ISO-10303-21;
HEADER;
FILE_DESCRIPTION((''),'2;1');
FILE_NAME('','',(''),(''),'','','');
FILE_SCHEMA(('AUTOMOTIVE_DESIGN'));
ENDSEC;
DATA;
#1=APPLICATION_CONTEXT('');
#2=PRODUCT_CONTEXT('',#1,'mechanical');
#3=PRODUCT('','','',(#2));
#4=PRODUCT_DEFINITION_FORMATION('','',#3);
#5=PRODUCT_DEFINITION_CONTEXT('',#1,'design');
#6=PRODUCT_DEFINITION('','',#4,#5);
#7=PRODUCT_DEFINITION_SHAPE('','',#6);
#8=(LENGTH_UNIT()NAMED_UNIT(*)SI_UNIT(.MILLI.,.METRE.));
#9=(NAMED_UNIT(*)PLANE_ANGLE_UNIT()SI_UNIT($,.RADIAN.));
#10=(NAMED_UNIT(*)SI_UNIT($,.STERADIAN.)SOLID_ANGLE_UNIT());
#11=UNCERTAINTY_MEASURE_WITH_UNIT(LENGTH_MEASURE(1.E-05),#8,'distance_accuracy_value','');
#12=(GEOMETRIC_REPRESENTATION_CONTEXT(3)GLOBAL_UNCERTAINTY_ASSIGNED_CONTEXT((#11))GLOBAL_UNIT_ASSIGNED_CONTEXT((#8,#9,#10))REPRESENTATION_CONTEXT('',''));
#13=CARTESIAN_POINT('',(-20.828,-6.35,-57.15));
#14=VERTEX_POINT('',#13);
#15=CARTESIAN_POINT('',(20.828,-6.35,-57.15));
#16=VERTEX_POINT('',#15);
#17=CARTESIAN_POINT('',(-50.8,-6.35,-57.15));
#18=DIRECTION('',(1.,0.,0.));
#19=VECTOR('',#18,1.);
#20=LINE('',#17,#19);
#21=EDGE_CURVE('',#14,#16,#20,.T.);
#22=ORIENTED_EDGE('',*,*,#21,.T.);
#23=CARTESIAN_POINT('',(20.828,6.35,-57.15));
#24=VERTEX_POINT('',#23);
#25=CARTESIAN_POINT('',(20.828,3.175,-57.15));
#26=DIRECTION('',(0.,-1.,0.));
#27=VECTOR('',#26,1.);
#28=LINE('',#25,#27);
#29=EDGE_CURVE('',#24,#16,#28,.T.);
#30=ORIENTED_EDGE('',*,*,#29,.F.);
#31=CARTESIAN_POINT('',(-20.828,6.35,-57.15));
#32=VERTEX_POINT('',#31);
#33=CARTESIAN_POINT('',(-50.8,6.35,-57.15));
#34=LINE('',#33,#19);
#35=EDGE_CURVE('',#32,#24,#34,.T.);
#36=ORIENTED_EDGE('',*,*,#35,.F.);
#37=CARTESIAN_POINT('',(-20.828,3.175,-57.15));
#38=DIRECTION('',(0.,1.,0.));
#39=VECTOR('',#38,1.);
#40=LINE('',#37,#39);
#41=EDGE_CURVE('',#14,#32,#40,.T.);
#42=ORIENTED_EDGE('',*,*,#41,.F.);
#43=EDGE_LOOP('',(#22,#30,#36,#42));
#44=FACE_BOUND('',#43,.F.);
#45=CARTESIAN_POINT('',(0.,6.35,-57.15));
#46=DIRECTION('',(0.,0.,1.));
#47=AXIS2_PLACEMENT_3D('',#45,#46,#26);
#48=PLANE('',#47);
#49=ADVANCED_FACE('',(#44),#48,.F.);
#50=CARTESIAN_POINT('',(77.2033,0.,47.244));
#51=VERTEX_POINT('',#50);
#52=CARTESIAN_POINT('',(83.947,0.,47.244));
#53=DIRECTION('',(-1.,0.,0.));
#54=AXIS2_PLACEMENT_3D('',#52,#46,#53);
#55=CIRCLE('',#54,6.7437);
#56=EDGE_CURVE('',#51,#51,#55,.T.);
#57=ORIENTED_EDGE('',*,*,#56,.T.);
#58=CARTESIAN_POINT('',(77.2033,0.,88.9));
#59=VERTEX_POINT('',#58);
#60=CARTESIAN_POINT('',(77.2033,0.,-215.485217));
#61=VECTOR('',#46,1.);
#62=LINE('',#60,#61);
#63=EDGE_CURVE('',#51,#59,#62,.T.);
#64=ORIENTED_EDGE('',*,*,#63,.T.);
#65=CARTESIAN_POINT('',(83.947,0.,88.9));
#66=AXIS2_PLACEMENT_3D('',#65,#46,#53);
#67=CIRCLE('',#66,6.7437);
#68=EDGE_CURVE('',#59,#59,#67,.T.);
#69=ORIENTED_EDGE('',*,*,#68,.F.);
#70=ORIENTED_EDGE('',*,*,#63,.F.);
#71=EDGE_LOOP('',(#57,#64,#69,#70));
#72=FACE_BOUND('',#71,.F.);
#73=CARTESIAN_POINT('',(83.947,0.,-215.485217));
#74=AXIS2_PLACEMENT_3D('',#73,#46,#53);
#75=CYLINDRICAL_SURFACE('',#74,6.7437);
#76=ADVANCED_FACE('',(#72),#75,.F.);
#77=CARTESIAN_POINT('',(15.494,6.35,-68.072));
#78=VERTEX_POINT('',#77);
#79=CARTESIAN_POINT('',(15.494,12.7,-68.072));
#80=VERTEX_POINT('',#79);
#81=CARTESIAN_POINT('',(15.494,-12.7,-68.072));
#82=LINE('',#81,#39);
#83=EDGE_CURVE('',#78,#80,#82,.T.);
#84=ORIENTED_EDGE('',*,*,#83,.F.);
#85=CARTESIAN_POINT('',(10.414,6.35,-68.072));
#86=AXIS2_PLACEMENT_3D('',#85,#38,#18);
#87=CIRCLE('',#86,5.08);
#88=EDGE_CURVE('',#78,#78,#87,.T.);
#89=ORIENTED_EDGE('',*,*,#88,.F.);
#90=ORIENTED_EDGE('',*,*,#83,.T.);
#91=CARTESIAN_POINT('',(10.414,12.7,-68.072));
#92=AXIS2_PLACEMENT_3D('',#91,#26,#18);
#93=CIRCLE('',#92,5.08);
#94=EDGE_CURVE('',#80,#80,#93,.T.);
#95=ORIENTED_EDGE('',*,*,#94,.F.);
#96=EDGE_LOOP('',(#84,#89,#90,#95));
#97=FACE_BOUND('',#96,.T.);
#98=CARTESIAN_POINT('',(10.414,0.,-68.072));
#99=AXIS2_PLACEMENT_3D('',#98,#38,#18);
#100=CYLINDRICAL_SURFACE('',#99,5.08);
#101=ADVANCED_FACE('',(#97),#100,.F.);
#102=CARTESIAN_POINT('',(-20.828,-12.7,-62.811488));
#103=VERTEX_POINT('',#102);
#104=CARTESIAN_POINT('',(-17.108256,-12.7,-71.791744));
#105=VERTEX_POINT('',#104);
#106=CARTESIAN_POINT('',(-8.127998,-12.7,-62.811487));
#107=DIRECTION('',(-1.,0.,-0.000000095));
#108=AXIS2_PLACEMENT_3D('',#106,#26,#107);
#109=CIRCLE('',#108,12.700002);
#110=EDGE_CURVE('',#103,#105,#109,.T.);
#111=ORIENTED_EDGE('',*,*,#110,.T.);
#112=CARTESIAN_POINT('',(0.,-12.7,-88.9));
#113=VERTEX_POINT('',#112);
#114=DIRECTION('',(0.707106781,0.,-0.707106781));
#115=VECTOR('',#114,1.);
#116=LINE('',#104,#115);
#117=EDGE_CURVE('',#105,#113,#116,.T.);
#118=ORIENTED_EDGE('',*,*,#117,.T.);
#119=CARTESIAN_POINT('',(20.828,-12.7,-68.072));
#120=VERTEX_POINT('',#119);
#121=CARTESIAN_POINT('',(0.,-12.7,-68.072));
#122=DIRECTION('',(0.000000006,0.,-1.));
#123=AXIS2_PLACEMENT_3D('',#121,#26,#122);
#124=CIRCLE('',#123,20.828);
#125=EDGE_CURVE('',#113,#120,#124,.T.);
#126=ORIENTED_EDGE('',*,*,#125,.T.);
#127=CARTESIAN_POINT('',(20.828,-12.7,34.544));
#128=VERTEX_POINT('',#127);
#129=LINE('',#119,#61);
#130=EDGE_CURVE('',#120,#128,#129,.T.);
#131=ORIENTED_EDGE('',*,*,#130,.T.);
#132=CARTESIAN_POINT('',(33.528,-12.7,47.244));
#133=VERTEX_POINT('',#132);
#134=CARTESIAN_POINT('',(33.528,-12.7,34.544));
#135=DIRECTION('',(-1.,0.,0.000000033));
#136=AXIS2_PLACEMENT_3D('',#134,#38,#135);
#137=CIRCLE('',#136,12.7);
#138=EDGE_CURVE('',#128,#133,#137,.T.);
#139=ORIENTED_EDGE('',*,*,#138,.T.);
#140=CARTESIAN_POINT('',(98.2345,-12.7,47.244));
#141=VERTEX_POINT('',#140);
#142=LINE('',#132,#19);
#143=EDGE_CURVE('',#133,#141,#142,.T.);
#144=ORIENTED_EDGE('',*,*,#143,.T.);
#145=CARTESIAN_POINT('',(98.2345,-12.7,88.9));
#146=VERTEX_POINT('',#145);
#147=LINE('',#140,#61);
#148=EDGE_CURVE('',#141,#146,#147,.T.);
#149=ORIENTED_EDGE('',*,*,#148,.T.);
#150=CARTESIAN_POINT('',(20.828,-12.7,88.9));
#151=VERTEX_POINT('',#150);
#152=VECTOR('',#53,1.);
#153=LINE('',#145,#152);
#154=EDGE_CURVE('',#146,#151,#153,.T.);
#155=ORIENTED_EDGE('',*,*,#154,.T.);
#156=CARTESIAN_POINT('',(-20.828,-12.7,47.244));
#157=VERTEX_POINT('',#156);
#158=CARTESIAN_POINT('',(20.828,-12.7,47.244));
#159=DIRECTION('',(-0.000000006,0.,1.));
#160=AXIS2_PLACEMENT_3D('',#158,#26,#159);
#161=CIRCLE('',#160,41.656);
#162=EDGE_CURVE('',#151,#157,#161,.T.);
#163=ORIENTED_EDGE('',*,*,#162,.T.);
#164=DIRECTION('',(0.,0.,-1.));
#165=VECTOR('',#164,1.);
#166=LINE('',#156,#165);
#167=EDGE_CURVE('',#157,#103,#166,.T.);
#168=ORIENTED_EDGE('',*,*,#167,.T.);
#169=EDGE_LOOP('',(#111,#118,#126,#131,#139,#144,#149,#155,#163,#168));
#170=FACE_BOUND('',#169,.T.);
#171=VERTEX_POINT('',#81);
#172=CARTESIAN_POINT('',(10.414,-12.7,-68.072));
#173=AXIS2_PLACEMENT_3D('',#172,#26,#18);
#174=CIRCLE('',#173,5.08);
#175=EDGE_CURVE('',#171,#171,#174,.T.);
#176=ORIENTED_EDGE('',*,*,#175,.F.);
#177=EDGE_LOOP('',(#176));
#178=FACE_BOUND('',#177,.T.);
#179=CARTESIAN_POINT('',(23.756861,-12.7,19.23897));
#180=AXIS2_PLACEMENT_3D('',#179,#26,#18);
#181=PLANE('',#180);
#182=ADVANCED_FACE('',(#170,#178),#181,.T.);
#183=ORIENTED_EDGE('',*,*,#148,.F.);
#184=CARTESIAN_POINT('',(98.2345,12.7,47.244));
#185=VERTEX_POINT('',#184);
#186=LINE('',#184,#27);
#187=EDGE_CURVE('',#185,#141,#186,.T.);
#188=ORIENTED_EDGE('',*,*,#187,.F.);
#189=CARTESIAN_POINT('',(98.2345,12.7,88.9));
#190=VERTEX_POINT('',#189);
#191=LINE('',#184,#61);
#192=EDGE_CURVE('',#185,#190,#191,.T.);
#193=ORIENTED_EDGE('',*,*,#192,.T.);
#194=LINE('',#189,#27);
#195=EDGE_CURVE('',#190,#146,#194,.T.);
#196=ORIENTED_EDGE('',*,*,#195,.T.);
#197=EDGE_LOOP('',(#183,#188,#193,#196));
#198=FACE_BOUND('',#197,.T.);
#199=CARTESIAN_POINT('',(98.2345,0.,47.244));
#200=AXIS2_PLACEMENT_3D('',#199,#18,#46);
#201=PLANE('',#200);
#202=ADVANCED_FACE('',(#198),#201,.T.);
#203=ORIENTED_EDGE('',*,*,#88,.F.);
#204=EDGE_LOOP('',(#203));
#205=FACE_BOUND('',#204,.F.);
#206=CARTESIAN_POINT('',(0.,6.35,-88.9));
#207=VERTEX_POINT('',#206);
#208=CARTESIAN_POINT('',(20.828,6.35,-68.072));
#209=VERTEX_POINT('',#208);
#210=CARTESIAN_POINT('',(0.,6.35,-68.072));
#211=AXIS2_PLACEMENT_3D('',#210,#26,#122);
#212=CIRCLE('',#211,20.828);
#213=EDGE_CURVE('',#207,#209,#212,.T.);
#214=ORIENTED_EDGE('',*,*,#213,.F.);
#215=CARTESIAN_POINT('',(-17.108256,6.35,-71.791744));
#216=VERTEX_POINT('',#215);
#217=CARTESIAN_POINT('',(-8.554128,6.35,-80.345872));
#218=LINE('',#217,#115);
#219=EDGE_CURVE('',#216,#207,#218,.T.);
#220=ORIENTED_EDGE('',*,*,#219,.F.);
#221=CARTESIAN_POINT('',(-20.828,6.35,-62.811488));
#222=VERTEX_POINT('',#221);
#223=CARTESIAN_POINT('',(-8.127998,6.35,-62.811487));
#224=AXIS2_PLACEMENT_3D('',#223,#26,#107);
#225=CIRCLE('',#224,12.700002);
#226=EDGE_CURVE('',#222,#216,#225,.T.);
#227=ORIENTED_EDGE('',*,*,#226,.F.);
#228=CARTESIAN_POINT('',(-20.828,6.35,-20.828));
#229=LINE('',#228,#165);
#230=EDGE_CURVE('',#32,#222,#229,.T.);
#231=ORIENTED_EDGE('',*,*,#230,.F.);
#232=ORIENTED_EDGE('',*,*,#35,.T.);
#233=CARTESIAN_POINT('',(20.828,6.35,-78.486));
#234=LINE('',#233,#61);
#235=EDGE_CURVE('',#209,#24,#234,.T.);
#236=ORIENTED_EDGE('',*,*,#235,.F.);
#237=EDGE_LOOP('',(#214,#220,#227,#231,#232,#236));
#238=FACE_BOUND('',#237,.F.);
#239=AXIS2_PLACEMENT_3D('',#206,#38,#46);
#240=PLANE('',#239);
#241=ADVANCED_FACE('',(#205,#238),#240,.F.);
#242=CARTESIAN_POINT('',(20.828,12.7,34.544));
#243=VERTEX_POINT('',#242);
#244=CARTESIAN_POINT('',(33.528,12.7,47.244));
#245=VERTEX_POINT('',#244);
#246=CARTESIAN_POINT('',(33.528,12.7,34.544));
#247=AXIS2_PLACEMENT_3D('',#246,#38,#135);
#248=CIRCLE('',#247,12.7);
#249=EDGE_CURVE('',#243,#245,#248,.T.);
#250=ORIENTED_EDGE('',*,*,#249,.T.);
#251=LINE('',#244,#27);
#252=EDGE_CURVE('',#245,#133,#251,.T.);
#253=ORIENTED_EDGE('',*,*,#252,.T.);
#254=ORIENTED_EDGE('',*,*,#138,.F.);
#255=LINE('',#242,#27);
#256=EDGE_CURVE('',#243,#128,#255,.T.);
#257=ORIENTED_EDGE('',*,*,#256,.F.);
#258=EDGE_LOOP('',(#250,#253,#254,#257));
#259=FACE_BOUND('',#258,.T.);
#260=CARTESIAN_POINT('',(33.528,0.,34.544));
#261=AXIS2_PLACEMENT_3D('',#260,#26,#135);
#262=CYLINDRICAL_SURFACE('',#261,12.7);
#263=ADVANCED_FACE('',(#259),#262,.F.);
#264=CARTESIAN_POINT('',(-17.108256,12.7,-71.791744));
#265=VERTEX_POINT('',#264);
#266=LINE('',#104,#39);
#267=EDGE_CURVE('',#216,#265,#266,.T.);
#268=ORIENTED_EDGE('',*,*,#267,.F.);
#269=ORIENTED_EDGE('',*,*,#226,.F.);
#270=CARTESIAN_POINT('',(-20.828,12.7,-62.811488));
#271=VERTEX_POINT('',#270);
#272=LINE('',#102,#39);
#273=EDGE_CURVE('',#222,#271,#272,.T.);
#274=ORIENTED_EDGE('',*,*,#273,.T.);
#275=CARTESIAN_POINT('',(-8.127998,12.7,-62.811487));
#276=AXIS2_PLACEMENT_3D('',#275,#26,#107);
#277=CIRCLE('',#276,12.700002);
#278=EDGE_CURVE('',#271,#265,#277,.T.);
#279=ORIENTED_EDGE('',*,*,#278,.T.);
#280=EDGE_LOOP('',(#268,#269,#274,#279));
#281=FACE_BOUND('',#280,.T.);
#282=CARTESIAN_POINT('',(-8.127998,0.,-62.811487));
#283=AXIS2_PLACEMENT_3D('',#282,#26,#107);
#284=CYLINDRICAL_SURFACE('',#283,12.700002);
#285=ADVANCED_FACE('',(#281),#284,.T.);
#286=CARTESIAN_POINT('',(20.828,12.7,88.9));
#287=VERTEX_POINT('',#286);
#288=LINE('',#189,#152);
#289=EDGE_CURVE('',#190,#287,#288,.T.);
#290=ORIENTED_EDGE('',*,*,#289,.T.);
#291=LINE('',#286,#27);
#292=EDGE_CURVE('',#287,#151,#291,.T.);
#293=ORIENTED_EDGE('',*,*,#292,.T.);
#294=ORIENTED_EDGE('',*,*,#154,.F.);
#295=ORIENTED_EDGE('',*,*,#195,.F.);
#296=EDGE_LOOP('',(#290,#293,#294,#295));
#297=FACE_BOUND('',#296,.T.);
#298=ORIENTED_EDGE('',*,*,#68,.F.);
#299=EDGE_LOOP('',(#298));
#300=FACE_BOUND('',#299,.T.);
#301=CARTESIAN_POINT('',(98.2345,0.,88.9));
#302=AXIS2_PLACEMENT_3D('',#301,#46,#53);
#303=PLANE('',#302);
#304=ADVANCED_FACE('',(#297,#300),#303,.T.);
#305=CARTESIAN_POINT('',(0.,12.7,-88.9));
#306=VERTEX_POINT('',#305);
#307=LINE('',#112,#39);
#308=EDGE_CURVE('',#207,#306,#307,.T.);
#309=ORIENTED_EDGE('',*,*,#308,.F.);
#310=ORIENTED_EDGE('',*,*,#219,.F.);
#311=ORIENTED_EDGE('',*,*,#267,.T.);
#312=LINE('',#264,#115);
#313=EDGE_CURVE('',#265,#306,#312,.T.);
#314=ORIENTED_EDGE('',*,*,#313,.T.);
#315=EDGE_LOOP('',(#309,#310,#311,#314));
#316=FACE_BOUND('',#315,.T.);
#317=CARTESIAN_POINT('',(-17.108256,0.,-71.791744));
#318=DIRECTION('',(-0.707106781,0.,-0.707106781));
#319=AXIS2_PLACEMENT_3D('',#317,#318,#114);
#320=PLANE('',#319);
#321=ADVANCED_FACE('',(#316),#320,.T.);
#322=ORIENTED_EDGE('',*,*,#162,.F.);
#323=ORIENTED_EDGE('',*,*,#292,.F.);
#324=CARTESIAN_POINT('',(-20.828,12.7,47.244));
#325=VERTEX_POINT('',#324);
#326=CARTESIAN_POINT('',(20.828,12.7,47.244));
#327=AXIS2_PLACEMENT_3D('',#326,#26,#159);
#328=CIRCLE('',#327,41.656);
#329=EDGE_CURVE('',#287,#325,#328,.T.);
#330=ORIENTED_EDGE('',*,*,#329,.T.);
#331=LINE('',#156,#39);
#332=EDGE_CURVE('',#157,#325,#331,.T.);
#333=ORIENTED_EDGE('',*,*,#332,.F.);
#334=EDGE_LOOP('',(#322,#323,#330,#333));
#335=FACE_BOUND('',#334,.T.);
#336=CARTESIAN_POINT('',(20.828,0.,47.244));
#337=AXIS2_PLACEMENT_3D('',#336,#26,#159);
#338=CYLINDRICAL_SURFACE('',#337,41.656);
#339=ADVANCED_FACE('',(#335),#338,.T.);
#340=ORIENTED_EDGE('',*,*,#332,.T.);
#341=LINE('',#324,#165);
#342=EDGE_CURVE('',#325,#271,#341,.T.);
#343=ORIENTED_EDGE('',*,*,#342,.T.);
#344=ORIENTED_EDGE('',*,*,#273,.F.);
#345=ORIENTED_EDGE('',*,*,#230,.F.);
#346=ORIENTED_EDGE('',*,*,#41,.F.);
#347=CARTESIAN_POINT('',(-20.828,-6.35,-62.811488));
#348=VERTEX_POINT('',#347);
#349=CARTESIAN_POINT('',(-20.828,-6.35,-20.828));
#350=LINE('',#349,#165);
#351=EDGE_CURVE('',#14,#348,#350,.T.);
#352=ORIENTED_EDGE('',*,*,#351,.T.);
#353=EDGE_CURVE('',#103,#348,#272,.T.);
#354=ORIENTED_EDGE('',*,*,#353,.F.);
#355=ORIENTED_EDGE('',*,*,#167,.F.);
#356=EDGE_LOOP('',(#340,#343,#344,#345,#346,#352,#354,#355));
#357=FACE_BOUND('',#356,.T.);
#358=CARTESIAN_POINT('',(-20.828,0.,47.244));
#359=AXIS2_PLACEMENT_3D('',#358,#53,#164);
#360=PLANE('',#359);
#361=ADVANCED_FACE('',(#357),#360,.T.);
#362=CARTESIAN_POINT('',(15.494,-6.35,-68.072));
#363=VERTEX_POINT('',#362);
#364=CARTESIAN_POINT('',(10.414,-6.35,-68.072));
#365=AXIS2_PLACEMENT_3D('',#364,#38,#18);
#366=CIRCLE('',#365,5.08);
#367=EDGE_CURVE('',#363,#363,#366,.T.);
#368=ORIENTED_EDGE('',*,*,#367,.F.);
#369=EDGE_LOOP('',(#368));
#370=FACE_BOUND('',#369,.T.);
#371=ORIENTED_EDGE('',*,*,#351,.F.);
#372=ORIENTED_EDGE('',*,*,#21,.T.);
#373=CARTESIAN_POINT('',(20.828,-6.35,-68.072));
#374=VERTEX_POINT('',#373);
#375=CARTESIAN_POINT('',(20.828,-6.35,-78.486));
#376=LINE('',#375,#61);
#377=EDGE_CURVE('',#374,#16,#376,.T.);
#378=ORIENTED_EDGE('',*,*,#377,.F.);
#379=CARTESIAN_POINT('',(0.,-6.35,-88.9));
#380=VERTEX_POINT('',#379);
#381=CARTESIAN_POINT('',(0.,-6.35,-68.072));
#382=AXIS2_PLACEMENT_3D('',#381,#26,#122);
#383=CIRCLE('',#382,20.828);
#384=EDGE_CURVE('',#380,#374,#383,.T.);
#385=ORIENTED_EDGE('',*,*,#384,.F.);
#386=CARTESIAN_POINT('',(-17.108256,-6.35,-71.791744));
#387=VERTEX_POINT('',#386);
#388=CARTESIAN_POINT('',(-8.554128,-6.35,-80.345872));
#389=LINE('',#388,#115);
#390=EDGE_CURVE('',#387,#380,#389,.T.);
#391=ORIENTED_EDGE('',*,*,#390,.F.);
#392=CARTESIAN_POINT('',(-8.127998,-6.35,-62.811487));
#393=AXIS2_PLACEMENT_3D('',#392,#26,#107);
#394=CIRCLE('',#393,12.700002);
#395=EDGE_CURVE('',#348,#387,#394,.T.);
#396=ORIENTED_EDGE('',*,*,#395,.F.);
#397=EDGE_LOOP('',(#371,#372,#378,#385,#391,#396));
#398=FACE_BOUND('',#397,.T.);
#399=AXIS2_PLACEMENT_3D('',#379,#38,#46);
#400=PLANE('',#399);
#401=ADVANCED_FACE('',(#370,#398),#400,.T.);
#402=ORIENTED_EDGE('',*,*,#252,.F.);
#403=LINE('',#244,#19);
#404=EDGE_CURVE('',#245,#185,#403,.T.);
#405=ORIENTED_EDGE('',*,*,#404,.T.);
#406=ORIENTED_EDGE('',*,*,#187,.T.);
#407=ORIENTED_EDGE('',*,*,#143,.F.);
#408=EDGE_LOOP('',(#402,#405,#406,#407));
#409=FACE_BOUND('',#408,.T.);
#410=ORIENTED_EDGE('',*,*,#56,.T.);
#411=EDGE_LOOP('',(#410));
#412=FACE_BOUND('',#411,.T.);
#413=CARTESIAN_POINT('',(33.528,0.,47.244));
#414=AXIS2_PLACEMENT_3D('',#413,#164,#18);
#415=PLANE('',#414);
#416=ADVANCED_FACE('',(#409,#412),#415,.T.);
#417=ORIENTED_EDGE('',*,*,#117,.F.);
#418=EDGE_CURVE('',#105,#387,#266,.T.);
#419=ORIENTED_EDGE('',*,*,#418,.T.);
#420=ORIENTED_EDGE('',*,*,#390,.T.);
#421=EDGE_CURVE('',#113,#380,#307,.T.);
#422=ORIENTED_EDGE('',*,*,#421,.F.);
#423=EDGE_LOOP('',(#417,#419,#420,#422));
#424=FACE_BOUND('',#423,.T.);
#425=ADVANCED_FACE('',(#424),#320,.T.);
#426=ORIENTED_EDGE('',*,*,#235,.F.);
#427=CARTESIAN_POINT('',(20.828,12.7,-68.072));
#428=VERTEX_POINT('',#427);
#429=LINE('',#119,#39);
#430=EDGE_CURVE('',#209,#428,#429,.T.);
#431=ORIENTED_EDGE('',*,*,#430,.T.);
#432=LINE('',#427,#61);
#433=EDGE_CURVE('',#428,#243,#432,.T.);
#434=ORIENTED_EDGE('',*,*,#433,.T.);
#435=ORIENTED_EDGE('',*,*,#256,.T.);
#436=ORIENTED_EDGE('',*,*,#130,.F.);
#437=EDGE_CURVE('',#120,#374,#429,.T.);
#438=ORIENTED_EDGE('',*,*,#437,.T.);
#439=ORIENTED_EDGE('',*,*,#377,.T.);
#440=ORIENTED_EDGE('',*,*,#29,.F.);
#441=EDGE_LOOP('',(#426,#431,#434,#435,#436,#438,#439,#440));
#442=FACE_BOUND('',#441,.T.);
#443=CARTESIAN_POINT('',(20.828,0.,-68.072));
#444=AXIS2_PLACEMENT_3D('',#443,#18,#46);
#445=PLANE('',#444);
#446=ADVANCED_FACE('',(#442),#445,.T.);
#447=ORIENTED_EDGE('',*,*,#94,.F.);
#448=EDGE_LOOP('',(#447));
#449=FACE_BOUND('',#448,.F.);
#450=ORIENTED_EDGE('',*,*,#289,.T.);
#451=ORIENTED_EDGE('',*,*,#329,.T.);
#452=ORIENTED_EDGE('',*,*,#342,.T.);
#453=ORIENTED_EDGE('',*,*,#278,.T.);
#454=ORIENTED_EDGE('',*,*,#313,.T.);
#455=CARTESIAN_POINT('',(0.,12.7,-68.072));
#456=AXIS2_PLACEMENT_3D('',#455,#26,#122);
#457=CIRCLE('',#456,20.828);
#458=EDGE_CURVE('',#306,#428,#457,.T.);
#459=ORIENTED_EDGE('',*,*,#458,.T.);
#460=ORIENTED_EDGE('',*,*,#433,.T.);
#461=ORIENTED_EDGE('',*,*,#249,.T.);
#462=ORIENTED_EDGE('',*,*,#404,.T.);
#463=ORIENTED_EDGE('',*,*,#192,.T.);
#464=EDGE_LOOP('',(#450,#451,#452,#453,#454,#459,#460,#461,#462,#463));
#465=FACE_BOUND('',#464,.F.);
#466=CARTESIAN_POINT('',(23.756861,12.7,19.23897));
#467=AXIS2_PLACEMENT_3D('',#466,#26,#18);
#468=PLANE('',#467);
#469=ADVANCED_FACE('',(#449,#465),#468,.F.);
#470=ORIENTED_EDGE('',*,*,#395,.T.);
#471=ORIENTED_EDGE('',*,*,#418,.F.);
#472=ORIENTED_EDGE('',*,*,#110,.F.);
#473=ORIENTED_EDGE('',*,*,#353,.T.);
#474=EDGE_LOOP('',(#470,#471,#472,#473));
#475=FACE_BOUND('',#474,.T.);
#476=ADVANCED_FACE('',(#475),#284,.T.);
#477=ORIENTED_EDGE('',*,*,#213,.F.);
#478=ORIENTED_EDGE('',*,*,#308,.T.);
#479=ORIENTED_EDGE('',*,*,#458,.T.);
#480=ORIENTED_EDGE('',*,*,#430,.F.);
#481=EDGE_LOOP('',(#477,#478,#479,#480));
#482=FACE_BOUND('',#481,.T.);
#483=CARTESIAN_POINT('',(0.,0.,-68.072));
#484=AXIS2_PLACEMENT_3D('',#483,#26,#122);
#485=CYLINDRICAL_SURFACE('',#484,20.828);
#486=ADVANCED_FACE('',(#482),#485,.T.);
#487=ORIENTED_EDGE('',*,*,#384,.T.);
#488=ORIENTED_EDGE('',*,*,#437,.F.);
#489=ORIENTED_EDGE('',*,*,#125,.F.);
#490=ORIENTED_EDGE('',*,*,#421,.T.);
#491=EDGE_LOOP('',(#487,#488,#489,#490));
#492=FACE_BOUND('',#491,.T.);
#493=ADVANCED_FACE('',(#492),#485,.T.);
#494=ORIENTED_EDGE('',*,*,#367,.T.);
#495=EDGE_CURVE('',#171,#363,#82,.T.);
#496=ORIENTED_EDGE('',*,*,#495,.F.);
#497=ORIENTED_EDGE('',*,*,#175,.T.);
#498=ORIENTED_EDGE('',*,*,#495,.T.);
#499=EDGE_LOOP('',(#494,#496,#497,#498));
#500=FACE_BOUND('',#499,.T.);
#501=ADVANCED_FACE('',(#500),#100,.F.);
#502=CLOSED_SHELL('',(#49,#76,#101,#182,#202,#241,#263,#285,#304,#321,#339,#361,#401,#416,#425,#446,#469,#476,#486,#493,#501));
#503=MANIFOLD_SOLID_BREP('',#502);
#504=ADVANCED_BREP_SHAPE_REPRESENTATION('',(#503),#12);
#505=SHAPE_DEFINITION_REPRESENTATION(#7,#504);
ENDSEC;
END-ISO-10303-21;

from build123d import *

# Parameters (mm, degrees)
F0_R     = 5.08
F1_DEPTH = 12.7
F3_D     = 13.4874
F4_W     = 6.35
F4_H     = 31.75
F5_DEPTH = 50.8


with BuildPart() as f1:
    # F0 (on Front) → F1 (new body, symmetric)
    with BuildSketch(Plane.XZ):
        with BuildLine():
            Line((20.828, -68.072), (20.828, 34.544))
            ThreePointArc((20.828, 34.544), (24.547744, 43.524256), (33.528, 47.244))
            Line((33.528, 47.244), (98.2345, 47.244))
            Line((98.2345, 47.244), (98.2345, 88.9))
            Line((98.2345, 88.9), (20.828, 88.9))
            ThreePointArc((20.828, 88.9), (-8.62724, 76.69924), (-20.828, 47.244))
            Line((-20.828, 47.244), (-20.828, -62.811488))
            ThreePointArc((-20.828, -62.811488), (-19.86127, -67.671567), (-17.108256, -71.791744))
            Line((-17.108256, -71.791744), (0, -88.9))
            ThreePointArc((0, -88.9), (14.72762, -82.79962), (20.828, -68.072))
        make_face()
        with Locations((10.414, -68.072)):
            Circle(F0_R, mode=Mode.SUBTRACT)
    extrude(amount=F1_DEPTH, both=True)

    # F3 (through all)
    with Locations(Plane(origin=(0, 0, 0), x_dir=(1, 0, 0), z_dir=(0, 0, -1))):
        with Locations((83.947, 0)):
            Hole(F3_D / 2)

    # F4 (on Right) → F5 (cut, symmetric)
    with BuildSketch(Plane.YZ):
        with Locations((3.175, -73.025)):
            Rectangle(F4_W, F4_H)
        with Locations((-3.175, -73.025)):
            Rectangle(F4_W, F4_H)
    extrude(amount=F5_DEPTH, both=True, mode=Mode.SUBTRACT)


solid = f1.part
